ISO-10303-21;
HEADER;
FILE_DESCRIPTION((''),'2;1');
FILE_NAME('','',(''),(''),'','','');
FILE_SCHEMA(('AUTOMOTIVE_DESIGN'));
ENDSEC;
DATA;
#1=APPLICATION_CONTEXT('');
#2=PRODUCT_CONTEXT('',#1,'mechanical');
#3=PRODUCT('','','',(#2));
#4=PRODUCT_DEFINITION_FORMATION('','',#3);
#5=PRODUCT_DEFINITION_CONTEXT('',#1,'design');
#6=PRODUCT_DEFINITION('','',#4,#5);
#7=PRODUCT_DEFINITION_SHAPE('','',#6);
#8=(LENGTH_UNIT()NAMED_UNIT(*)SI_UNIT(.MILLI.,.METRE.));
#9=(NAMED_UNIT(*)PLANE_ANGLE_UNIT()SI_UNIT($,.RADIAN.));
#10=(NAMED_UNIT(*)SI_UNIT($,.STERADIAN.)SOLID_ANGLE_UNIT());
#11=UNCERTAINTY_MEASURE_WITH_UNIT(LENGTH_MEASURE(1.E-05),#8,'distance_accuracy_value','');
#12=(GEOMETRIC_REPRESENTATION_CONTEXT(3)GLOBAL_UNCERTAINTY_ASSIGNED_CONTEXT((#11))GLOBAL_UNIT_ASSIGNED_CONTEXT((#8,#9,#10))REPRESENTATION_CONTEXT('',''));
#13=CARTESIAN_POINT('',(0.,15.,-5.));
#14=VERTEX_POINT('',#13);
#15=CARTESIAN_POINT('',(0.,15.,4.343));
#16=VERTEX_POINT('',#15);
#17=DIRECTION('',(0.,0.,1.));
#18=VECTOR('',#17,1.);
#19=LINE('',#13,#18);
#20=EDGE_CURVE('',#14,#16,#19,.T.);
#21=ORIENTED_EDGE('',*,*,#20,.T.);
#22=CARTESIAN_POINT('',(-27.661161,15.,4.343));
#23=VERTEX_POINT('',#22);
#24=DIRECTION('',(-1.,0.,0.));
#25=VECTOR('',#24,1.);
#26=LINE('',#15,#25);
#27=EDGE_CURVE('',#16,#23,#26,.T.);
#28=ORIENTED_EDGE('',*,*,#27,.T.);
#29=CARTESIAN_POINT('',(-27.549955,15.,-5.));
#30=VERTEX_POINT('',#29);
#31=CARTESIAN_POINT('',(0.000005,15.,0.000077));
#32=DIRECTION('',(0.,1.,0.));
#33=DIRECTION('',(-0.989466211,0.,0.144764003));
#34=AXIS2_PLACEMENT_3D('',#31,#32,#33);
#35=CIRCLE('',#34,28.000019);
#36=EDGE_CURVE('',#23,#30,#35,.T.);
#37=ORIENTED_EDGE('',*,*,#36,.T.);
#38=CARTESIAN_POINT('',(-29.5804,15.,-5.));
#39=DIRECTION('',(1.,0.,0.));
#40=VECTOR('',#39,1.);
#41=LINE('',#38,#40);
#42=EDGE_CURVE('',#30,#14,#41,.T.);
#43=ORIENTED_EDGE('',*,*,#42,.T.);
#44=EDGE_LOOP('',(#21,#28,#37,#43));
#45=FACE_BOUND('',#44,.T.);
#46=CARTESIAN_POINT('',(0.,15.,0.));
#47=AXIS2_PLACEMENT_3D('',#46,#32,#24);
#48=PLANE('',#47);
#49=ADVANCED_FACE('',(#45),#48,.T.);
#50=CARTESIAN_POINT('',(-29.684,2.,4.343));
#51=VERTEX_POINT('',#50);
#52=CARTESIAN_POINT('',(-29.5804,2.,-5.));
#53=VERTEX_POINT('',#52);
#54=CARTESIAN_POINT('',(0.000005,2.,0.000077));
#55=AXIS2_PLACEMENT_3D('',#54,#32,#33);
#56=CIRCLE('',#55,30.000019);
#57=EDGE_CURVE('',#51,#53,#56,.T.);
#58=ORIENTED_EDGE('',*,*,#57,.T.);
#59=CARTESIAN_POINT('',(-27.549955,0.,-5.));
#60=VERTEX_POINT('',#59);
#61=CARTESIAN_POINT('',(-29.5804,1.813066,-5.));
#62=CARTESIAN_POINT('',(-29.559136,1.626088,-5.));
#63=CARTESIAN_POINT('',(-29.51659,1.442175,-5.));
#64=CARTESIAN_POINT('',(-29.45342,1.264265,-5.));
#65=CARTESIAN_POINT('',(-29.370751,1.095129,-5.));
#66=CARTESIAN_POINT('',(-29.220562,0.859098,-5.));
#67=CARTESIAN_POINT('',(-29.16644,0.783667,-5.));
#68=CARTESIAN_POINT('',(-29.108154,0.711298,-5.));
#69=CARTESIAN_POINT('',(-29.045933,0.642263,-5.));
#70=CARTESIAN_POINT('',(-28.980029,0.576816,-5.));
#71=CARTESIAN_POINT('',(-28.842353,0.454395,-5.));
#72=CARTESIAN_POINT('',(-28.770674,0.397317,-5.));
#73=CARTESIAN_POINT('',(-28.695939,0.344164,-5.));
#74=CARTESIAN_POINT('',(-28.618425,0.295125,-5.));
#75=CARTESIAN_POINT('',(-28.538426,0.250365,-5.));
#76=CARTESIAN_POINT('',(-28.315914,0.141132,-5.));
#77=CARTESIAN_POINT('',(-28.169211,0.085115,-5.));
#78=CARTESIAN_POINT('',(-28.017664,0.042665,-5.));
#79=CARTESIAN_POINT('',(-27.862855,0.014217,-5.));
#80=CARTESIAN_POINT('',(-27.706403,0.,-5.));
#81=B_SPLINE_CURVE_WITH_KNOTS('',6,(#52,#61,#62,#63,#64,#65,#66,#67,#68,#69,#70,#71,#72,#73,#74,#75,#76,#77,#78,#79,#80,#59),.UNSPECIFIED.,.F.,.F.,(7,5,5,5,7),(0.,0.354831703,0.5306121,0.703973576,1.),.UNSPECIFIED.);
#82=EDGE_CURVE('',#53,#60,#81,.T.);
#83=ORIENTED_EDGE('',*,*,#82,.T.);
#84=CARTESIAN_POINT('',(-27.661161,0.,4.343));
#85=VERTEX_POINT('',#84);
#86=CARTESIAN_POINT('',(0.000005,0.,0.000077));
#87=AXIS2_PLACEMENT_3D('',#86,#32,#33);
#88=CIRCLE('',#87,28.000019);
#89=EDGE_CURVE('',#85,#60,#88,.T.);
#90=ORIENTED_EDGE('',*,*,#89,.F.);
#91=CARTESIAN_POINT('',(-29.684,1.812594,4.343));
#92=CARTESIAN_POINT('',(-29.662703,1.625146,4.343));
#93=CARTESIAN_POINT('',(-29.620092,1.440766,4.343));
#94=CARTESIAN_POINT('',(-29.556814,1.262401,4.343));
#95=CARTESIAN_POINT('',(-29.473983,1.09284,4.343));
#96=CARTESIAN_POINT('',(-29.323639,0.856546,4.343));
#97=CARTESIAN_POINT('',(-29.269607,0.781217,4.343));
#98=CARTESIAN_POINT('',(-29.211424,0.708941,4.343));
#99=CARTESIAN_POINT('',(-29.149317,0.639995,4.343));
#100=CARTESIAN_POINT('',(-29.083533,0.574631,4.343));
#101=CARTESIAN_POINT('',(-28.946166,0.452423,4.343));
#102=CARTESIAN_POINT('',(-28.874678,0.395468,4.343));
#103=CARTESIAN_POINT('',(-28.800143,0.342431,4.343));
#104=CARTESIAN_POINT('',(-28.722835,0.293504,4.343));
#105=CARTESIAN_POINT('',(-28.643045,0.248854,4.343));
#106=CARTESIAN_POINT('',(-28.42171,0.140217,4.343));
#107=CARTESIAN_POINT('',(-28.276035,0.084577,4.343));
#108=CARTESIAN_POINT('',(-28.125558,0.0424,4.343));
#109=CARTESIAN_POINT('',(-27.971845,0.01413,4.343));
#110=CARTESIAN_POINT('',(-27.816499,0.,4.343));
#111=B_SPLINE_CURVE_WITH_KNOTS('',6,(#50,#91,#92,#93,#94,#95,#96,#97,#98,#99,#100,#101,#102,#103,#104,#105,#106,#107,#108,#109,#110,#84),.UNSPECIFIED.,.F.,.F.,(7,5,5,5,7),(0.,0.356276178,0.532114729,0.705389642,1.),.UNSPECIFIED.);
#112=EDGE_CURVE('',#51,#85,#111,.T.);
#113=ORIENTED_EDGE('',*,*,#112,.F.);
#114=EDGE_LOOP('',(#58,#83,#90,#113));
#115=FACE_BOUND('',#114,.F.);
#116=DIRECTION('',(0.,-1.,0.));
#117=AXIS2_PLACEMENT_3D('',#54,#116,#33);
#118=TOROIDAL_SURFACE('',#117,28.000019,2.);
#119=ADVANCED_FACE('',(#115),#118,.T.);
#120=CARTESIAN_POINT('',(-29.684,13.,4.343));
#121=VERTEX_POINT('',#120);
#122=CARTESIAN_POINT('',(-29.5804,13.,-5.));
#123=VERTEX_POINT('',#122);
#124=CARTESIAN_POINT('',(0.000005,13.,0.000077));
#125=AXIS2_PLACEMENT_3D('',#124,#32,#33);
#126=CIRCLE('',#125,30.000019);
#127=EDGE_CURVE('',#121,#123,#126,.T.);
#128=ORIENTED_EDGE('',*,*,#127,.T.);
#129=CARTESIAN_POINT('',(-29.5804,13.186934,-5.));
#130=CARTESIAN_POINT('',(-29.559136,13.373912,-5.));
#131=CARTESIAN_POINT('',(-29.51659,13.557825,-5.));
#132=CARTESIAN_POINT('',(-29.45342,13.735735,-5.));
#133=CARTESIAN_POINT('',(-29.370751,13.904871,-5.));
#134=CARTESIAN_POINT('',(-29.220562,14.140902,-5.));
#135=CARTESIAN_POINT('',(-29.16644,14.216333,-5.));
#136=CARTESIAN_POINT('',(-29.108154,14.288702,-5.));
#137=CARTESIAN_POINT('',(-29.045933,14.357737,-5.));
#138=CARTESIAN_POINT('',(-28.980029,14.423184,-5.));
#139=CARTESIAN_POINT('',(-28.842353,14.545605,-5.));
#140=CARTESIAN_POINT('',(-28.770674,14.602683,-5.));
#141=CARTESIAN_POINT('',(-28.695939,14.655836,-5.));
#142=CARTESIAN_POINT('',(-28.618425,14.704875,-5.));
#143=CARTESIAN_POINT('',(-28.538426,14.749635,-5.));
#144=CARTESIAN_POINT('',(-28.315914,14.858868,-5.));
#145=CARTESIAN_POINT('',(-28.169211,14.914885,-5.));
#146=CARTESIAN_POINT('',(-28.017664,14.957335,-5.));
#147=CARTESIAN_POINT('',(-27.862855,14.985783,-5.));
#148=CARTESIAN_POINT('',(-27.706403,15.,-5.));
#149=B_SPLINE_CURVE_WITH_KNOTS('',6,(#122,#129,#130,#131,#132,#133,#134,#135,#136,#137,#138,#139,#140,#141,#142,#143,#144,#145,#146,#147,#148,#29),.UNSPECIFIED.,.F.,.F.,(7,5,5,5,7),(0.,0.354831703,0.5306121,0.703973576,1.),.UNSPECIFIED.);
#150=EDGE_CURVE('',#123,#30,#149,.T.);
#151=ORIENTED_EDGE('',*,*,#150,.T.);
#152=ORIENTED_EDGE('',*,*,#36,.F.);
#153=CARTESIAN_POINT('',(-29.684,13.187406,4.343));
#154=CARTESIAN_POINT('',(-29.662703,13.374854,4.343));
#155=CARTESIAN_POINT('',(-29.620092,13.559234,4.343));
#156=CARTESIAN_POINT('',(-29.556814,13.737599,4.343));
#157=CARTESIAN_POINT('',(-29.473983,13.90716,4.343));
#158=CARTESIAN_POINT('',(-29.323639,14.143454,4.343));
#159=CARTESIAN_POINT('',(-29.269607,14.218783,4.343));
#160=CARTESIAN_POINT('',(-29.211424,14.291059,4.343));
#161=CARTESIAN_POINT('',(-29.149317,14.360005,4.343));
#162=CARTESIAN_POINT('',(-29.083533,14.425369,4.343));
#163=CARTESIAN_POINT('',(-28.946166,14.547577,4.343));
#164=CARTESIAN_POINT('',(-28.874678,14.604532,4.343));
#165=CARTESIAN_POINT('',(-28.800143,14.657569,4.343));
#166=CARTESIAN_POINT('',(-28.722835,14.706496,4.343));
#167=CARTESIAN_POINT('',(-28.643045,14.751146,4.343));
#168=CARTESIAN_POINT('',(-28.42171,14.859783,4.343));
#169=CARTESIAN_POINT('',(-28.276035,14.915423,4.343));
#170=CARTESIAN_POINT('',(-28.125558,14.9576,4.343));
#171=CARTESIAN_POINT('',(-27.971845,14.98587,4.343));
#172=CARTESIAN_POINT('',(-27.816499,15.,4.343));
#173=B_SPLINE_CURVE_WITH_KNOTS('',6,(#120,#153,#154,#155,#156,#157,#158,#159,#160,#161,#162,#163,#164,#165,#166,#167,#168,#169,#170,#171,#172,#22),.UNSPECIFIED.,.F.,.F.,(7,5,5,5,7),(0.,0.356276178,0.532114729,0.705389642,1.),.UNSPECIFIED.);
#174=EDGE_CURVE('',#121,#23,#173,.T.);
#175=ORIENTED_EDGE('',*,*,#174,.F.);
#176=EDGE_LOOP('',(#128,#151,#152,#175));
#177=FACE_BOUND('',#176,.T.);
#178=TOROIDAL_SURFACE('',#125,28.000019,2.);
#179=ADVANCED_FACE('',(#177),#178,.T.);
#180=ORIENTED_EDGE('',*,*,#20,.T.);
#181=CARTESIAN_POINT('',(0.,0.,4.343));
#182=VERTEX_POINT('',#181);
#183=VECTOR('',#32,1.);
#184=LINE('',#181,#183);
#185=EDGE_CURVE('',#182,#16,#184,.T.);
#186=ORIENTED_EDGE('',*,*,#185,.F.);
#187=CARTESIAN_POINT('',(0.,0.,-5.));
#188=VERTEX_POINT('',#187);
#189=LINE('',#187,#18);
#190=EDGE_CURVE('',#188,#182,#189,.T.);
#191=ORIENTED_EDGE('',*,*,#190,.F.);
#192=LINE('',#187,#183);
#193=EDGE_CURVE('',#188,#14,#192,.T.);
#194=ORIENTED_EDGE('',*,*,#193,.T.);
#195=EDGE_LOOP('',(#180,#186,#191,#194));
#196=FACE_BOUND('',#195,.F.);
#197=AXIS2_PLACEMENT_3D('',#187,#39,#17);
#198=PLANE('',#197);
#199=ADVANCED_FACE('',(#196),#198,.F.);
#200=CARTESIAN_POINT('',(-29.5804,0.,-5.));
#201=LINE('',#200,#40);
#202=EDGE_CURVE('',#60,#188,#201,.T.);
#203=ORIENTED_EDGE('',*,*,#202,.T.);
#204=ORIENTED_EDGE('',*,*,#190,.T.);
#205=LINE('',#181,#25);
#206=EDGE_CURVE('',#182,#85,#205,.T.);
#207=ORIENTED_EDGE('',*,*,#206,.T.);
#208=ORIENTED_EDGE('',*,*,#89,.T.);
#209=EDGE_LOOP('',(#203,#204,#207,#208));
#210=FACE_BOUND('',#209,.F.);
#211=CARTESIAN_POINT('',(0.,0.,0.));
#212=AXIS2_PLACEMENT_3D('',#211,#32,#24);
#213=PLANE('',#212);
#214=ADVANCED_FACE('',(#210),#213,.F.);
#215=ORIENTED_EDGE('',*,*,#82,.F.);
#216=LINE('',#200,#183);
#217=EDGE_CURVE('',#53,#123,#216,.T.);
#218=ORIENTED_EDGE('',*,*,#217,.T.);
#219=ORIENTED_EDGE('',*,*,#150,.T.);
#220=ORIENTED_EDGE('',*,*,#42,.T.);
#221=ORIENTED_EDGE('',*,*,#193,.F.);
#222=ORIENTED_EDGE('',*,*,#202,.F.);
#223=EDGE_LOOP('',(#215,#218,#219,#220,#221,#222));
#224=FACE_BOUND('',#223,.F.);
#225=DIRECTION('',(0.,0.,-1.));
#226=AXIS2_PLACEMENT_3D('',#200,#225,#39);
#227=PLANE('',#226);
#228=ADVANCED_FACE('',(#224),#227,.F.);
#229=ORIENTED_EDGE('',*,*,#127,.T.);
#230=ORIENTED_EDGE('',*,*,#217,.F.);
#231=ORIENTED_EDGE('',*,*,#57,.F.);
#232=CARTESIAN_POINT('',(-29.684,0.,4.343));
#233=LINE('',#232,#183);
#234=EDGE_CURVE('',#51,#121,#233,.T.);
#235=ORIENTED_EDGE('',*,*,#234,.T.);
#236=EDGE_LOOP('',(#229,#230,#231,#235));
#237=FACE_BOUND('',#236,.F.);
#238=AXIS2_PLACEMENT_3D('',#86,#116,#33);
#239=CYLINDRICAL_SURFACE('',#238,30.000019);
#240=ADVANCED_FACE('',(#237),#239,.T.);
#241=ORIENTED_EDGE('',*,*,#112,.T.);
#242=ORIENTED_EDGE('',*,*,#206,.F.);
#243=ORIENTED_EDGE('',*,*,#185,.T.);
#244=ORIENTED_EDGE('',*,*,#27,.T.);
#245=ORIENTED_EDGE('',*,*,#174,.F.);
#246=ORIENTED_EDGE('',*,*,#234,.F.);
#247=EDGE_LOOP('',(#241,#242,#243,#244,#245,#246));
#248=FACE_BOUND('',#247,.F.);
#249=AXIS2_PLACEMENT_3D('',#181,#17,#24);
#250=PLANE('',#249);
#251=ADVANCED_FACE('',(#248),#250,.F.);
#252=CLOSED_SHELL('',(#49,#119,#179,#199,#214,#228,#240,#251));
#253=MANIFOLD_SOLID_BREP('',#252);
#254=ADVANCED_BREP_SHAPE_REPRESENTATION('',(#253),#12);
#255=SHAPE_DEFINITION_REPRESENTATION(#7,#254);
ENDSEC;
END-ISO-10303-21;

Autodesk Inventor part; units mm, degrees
ref_plane "YZ Plane" through (0, 0, 0) normal (1, 0, 0) x (0, 1, 0)
ref_plane "XZ Plane" through (0, 0, 0) normal (0, 1, 0) x (-1, 0, 0)
ref_plane "XY Plane" through (0, 0, 0) normal (0, 0, 1) x (1, 0, 0)
sketch "Sketch1" plane through (0, 0, 0) normal (0, 1, 0) x (-1, 0, 0)
  arc A0 (29.684, 4.343) -> (29.5804, -5) centre (0, 0) ccw
  line L0 (29.5804, -5) -> (0, -5)
  line L1 (0, -5) -> (0, 4.343)
  line L2 (0, 4.343) -> (29.684, 4.343)
  dimension "d0" = 60
extrude "Extrusion1" add sketch "Sketch1" along normal blind 15
fillet "Fillet1" radius 2 2 edges at (29.9982, 15, 0.3325) (29.9982, 0, 0.3325)
properties part number "Hammer" material "Iron, Malleable"
